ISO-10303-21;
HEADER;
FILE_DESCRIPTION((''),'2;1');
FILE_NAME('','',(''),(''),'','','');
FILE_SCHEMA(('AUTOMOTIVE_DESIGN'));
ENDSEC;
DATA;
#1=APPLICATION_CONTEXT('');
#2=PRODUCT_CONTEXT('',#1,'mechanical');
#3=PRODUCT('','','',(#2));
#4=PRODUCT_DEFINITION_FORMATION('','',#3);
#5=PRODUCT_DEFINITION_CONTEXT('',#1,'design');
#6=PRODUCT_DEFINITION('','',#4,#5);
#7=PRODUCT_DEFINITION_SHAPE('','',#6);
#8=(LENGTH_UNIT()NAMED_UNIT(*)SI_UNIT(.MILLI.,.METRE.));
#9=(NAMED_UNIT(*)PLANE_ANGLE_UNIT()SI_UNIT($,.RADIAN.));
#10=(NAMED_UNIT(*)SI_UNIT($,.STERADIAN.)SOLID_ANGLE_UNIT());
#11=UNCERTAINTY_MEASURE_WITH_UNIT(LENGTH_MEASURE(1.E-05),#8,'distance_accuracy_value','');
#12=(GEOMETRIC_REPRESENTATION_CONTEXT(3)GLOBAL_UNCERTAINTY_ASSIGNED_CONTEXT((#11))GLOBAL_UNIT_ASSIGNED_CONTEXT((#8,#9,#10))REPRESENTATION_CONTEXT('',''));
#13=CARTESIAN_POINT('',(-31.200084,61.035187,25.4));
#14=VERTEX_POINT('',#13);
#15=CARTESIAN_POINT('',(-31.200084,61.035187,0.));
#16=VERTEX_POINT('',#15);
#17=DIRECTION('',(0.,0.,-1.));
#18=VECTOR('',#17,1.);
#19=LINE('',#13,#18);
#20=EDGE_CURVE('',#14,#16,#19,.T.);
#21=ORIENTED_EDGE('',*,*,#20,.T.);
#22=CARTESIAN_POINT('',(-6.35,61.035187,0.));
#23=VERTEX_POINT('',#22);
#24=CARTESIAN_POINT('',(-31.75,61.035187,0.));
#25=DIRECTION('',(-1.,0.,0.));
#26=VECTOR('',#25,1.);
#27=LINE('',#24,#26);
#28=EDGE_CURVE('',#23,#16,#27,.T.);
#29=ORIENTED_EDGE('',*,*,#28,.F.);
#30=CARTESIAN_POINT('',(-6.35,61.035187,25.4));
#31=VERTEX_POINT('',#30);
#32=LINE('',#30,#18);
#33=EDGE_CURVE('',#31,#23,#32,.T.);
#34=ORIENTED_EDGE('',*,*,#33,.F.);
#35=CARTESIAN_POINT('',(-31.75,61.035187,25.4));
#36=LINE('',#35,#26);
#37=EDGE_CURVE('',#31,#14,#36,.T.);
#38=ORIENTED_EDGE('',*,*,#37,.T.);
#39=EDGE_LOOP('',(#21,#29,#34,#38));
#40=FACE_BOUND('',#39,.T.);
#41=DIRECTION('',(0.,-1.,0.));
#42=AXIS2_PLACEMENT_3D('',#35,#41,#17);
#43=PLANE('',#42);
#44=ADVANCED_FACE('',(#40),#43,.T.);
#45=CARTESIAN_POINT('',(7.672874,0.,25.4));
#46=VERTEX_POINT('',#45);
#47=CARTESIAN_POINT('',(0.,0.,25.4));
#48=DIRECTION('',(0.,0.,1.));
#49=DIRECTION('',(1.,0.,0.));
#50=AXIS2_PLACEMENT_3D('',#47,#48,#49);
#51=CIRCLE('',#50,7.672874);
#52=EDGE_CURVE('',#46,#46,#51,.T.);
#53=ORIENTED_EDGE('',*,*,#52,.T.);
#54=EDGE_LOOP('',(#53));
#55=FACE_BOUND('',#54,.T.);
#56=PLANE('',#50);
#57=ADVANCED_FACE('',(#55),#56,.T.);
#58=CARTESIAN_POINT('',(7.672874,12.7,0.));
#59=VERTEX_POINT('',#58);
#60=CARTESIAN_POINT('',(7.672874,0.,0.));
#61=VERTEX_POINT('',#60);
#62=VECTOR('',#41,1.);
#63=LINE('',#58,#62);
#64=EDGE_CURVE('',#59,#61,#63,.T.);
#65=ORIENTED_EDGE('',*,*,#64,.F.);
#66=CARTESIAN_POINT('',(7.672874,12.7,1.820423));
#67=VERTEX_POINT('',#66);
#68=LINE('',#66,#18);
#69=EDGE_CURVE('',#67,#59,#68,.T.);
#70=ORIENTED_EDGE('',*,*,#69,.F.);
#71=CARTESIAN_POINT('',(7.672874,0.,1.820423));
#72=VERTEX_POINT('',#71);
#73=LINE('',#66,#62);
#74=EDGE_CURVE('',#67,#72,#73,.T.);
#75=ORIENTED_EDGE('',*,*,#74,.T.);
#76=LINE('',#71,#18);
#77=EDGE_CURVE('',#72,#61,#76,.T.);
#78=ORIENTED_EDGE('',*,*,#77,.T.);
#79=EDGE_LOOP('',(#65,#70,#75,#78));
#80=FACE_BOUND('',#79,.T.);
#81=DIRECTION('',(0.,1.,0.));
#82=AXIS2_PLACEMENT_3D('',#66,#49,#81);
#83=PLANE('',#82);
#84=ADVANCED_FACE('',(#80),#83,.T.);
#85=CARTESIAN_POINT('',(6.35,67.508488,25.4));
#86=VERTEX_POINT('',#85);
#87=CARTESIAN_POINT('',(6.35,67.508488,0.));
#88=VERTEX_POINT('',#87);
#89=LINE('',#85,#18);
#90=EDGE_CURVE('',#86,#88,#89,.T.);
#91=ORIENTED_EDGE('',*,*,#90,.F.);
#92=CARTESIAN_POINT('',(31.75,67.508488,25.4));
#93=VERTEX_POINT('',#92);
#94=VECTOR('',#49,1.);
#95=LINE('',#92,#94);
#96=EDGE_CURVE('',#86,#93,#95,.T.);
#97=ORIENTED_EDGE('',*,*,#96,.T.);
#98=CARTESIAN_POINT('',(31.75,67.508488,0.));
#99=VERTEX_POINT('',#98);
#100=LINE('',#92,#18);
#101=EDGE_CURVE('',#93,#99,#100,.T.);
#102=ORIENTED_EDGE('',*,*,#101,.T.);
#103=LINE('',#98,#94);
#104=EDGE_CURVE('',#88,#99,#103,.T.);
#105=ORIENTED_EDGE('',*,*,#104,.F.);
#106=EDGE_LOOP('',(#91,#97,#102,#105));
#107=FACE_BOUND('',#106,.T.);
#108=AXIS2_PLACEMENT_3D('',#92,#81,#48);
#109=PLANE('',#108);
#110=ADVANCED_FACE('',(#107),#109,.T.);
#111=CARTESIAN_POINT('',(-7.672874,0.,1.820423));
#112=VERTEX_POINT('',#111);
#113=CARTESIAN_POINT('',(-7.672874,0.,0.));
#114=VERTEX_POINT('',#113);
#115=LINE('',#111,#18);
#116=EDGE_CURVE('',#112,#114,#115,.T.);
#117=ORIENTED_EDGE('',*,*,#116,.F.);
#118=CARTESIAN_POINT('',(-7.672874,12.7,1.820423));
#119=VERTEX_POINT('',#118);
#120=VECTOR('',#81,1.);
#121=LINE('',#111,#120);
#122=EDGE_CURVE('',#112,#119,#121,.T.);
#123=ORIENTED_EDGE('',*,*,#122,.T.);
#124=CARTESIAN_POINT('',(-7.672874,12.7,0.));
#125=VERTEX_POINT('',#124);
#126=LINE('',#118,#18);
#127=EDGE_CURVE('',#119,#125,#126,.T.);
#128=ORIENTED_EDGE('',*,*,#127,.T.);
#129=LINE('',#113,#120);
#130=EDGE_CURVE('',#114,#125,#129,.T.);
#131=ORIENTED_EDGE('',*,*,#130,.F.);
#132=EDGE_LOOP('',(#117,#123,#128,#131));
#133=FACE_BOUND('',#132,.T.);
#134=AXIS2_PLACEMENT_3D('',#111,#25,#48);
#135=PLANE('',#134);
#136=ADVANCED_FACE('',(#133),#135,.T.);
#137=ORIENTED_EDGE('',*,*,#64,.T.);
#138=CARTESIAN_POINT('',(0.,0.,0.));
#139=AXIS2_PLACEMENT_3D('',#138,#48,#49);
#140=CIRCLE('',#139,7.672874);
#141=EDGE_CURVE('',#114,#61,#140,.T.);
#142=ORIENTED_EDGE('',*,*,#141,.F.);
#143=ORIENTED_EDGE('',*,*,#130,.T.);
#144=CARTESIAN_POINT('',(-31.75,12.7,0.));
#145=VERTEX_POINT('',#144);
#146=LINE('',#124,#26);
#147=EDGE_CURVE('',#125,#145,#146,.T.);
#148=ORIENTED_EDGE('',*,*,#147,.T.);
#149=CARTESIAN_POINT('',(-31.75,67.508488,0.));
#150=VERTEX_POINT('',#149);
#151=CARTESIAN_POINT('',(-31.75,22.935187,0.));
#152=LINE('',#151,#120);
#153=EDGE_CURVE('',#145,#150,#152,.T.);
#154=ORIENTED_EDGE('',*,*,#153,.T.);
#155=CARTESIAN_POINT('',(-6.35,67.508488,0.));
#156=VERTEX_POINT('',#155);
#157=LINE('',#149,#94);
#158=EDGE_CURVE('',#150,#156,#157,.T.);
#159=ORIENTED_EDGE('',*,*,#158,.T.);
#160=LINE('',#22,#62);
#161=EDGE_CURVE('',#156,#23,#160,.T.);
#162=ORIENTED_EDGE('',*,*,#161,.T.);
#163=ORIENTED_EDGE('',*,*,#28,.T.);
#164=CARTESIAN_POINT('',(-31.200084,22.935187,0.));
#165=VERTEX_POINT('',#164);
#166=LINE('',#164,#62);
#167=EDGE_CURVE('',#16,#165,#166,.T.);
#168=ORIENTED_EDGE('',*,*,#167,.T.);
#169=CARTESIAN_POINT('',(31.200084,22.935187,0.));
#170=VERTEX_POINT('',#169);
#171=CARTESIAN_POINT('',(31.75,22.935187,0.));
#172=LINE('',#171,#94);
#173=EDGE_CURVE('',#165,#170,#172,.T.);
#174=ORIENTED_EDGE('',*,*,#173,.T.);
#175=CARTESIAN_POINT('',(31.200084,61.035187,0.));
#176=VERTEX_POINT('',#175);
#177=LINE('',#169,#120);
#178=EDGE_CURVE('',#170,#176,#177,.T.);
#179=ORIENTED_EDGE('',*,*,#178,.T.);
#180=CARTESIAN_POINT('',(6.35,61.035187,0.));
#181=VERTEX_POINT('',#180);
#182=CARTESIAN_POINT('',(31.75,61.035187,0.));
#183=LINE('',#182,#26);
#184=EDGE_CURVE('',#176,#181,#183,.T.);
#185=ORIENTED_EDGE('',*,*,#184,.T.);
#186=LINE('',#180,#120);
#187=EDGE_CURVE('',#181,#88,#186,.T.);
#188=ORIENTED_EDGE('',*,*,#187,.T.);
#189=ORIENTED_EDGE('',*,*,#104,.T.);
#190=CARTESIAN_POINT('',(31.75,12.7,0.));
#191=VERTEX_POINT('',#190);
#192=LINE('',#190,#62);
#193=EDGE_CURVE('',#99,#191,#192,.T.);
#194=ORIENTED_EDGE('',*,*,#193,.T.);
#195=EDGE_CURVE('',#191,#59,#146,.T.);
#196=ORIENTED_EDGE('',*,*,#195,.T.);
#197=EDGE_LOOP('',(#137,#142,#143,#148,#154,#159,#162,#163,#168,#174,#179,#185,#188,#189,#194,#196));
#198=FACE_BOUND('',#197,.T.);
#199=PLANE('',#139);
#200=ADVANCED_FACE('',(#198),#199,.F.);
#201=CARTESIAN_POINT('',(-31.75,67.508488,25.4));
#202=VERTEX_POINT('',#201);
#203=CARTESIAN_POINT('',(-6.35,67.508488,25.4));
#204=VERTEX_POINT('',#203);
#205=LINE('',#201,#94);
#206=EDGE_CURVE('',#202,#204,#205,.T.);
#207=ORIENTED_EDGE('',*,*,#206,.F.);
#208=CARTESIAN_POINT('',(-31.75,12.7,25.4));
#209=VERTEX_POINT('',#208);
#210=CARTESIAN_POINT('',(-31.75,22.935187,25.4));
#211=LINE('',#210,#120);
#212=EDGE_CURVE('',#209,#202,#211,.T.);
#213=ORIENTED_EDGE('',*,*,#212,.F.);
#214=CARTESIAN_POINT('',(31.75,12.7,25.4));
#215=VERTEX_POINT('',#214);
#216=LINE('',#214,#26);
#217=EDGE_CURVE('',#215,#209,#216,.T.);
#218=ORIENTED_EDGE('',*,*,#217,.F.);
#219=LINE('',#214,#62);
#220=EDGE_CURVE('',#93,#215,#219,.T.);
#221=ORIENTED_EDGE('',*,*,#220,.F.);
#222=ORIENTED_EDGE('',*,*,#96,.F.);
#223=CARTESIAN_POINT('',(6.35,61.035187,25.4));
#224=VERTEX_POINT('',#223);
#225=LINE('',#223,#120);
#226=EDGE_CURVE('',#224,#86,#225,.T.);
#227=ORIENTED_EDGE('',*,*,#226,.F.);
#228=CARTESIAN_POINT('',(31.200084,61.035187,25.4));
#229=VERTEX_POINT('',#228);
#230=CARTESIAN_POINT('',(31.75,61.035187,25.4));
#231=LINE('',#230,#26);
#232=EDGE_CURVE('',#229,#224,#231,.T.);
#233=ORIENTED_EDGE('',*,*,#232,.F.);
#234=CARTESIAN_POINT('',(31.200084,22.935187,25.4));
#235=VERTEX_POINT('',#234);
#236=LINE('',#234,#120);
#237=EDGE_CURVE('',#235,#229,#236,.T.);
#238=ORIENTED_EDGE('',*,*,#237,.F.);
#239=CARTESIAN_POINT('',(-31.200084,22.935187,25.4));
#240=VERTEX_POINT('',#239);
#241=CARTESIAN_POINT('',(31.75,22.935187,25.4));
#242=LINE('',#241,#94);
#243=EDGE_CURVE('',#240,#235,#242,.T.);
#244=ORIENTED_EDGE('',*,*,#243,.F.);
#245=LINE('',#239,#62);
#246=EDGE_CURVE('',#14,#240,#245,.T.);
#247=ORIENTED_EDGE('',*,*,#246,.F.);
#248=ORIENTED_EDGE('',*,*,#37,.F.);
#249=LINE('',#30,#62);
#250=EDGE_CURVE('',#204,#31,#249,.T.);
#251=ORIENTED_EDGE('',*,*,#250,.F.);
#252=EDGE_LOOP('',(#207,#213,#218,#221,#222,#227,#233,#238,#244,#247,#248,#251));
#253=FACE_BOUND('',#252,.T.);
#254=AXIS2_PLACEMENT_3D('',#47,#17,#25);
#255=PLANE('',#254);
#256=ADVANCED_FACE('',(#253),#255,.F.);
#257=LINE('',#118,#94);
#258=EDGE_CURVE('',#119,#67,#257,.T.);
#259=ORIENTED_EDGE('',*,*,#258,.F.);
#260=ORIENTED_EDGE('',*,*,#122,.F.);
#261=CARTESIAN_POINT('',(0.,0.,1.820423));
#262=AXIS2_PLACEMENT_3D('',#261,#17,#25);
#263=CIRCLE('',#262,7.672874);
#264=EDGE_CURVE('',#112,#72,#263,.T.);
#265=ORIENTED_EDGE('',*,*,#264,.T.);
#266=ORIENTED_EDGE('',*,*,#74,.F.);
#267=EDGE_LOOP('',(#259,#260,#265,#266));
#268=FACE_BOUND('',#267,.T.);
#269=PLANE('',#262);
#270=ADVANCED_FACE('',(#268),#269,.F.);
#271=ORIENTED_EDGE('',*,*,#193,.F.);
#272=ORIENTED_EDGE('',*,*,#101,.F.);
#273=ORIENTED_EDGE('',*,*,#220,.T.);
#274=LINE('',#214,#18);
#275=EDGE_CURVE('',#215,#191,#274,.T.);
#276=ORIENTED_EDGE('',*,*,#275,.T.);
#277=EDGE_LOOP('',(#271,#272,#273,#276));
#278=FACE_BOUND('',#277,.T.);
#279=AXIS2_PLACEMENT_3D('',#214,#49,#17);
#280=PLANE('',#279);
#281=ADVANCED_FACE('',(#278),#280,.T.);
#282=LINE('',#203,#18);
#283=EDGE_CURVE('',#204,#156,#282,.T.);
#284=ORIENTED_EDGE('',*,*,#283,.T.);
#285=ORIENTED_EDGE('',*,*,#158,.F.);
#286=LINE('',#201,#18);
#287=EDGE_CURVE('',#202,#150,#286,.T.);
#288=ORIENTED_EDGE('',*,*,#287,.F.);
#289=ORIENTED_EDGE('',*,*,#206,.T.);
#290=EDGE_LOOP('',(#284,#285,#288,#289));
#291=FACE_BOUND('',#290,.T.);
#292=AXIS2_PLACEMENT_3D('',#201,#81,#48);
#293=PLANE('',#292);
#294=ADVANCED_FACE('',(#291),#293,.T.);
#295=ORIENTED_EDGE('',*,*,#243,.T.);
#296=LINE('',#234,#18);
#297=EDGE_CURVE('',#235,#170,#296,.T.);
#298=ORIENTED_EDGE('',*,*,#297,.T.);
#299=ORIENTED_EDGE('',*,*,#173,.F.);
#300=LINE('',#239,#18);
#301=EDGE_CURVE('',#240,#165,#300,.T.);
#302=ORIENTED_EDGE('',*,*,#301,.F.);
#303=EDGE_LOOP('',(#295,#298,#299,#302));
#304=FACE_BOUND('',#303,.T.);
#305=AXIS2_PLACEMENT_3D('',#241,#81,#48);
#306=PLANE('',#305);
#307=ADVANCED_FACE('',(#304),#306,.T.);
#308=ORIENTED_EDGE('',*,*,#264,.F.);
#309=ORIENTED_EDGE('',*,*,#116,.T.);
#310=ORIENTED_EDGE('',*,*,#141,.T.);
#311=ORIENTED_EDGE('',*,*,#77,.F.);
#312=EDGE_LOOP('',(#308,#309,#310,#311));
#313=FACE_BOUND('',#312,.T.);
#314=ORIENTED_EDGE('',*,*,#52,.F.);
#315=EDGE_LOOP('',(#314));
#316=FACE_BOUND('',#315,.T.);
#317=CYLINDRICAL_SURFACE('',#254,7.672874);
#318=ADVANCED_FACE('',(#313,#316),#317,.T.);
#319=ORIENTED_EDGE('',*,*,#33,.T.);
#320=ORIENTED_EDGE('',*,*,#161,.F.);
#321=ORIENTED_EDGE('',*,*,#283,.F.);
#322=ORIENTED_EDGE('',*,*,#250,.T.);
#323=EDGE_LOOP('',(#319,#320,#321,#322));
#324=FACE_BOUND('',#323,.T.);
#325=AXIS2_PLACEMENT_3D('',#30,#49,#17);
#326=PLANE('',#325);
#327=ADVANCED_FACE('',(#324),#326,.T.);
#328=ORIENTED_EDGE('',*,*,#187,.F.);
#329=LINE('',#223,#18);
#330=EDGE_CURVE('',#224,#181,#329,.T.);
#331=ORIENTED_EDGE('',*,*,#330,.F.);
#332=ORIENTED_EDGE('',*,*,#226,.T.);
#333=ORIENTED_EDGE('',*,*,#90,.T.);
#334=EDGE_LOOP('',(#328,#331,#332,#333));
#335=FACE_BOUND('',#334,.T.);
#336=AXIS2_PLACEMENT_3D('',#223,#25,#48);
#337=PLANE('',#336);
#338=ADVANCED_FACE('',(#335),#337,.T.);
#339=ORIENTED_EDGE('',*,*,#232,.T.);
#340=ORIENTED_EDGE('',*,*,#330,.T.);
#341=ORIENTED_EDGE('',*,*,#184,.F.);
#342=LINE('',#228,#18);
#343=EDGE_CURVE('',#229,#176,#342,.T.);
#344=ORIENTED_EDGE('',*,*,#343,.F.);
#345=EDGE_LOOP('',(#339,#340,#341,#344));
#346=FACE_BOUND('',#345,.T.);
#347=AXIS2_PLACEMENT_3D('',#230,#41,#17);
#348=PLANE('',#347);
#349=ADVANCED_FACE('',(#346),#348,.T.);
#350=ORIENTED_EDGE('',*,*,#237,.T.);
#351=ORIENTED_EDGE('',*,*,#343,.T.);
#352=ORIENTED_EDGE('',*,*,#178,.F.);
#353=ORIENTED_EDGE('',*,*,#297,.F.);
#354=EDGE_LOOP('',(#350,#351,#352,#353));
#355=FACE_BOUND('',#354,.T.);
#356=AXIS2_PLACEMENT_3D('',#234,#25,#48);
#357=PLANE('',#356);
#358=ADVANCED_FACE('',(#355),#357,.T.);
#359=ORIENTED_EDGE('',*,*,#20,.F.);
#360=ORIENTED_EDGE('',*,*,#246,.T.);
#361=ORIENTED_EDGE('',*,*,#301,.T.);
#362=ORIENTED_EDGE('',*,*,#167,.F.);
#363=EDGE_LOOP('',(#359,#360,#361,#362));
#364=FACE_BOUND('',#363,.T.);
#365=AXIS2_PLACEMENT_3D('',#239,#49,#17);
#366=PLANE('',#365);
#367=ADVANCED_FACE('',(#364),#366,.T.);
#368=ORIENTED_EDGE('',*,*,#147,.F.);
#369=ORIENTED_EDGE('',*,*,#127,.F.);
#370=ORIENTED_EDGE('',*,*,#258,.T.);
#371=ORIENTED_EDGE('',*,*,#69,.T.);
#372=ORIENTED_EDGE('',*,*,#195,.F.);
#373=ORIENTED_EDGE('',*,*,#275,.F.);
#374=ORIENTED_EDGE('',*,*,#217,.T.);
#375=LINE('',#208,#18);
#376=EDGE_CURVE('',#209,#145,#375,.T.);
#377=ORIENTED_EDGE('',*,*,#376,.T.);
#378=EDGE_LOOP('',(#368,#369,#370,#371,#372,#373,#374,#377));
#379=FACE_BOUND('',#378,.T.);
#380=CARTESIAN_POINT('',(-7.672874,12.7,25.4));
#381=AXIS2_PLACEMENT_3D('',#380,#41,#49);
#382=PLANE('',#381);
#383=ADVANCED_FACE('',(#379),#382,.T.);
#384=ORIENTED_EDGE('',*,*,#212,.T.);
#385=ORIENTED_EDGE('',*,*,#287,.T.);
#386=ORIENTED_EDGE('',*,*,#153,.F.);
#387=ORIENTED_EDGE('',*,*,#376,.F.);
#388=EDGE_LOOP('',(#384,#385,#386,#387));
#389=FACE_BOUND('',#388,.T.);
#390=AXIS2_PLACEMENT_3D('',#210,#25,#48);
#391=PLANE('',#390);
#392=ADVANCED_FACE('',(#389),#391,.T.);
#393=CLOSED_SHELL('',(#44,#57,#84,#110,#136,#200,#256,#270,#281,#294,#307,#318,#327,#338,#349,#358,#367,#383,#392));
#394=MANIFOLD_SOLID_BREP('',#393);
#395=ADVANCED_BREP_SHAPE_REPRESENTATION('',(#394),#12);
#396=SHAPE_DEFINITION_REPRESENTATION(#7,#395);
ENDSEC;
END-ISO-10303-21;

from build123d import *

# Parameters (mm, degrees)
SKETCH1_R           = 7.672873739
BOSS_EXTRUDE1_DEPTH = 25.4
SKETCH2_W           = 15.345747478
SKETCH2_H           = 12.7
BOSS_EXTRUDE2_DEPTH = 1.820422808
BOSS_EXTRUDE3_DEPTH = 25.4
SKETCH5_W           = 0.549916313
SKETCH5_H           = 38.1
BOSS_EXTRUDE4_DEPTH = 25.4
SKETCH6_W           = 25.4
SKETCH6_H           = 6.473300788
BOSS_EXTRUDE5_DEPTH = 25.4


with BuildPart() as part:
    # Sketch1 → Boss-Extrude1 (new body)
    with BuildSketch(Plane.XY):
        Circle(SKETCH1_R)
    extrude(amount=BOSS_EXTRUDE1_DEPTH)

    # Sketch2 → Boss-Extrude2 (add)
    with BuildSketch(Plane(origin=(0, 0, 0), x_dir=(-1, 0, 0), z_dir=(0, 0, -1))):
        with Locations((0, 6.35)):
            Rectangle(SKETCH2_W, SKETCH2_H)
    extrude(amount=-BOSS_EXTRUDE2_DEPTH)

    # Sketch4 → Boss-Extrude3 (add)
    with BuildSketch(Plane(origin=(0, 0, 0), x_dir=(-1, 0, 0), z_dir=(0, 0, -1))):
        Polygon((-31.75, 12.7), (-31.75, 22.935187234), (31.75, 22.935187234), (31.75, 12.7), (7.672873739, 12.7), (-7.672873739, 12.7), align=None)
    extrude(amount=-BOSS_EXTRUDE3_DEPTH)

    # Sketch5 → Boss-Extrude4 (add)
    with BuildSketch(Plane(origin=(0, 0, 0), x_dir=(-1, 0, 0), z_dir=(0, 0, -1))):
        with Locations((31.475041844, 41.985187234)):
            Rectangle(SKETCH5_W, SKETCH5_H)
        with Locations((-31.475041844, 41.985187234)):
            Rectangle(SKETCH5_W, SKETCH5_H)
    extrude(amount=-BOSS_EXTRUDE4_DEPTH)

    # Sketch6 → Boss-Extrude5 (add)
    with BuildSketch(Plane(origin=(0, 0, 0), x_dir=(-1, 0, 0), z_dir=(0, 0, -1))):
        with Locations((19.05, 64.271837628)):
            Rectangle(SKETCH6_W, SKETCH6_H)
        with Locations((-19.05, 64.271837628)):
            Rectangle(SKETCH6_W, SKETCH6_H)
    extrude(amount=-BOSS_EXTRUDE5_DEPTH)


solid = part.part
